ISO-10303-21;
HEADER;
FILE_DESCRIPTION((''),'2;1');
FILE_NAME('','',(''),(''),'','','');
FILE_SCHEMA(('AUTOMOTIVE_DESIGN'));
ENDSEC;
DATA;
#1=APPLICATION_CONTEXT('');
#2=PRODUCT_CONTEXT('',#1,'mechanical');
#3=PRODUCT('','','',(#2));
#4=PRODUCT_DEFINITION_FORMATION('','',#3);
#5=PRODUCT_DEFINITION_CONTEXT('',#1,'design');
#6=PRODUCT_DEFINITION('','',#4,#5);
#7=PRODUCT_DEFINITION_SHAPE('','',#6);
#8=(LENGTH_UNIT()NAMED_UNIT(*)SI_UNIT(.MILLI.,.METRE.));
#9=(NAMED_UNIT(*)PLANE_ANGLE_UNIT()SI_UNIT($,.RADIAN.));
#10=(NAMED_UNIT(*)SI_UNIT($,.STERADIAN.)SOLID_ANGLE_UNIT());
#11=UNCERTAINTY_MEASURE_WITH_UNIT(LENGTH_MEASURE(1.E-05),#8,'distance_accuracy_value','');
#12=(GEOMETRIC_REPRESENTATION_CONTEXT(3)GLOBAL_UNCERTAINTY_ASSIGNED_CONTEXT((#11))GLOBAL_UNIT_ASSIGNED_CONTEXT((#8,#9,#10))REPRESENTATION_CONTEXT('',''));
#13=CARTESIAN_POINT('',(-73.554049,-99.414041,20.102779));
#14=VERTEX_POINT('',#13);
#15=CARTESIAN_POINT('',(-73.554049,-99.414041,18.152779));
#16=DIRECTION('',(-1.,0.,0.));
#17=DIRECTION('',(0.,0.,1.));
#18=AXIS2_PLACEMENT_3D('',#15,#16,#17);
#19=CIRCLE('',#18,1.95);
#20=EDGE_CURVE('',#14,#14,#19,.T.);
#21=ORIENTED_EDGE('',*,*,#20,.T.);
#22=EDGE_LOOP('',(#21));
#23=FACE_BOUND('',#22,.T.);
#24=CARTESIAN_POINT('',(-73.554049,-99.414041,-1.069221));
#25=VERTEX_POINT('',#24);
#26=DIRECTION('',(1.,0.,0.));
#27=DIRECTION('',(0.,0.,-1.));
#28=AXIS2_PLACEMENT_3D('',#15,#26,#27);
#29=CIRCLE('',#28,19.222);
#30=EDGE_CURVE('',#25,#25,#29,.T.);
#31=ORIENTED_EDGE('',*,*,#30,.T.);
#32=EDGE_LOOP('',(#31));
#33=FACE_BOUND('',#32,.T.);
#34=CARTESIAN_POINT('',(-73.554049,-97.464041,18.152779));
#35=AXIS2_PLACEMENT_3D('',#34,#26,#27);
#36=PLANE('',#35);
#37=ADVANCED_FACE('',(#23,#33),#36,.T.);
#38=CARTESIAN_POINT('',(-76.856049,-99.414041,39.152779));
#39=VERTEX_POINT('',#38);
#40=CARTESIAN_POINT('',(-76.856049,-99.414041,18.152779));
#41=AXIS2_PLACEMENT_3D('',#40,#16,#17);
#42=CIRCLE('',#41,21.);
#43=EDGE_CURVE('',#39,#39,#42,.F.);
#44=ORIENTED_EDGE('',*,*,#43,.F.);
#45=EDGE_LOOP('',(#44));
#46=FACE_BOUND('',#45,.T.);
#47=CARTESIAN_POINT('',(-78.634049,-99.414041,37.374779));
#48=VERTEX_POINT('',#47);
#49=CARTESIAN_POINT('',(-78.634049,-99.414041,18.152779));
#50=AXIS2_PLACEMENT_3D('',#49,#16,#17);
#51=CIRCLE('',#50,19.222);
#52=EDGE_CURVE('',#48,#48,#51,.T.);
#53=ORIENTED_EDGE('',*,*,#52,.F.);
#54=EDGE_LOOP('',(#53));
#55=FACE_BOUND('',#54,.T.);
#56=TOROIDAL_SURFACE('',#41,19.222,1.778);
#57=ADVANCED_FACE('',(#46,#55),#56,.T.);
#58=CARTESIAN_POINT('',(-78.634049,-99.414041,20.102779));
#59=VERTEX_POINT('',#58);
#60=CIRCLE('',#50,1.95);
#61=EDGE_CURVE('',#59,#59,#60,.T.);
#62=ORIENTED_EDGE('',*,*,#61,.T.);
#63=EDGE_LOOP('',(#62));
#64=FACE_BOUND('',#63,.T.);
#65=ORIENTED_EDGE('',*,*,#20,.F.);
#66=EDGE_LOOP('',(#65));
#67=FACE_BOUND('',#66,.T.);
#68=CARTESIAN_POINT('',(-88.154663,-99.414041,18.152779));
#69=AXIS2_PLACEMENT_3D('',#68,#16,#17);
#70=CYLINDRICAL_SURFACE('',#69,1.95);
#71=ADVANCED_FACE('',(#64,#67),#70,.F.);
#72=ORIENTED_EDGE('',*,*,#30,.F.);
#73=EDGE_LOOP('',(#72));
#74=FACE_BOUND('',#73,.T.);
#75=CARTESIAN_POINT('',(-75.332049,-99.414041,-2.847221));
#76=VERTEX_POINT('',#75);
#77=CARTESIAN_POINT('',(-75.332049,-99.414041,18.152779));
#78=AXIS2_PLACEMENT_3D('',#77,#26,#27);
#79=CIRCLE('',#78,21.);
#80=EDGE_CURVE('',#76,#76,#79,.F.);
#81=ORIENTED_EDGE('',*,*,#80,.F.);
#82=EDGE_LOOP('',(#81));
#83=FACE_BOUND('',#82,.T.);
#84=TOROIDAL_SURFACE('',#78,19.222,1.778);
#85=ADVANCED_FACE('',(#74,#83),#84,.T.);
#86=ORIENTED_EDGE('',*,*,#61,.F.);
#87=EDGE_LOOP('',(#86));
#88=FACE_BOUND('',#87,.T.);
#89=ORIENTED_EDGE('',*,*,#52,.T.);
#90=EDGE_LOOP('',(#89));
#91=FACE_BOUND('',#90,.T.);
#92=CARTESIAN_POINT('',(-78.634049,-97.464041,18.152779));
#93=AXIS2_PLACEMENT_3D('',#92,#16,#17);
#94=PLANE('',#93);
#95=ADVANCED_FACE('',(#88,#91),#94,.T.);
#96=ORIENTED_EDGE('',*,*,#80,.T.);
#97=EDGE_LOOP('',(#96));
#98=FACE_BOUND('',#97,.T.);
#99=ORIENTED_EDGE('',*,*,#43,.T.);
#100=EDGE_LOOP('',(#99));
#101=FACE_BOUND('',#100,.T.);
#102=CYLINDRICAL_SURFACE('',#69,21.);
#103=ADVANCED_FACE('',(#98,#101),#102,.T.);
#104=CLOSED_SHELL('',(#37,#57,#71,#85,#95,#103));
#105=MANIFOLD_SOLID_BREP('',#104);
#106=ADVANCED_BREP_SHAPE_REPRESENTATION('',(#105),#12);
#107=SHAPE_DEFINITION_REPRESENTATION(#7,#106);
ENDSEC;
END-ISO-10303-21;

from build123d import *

# Parameters (mm, degrees)
SKETCH2_W = 5.08
SKETCH2_H = 19.05
FILLET1_R = 1.778


with BuildPart() as part:
    # Sketch2 → Revolve1 (revolve)
    with BuildSketch(Plane(origin=(0, 0, 18.152779015), x_dir=(-1, 0, 0), z_dir=(0, 0, -1))):
        with Locations((76.094049076, -87.93904144)):
            Rectangle(SKETCH2_W, SKETCH2_H)
    revolve(axis=Axis((-88.154662924, -99.41404144, 18.152779015), (1, 0, 0)))

    # Fillet1
    fillet1_edges = [part.edges().sort_by_distance(p)[0] for p in [
        (-73.554049076, -120.41404144, 18.152779015),
        (-78.634049076, -120.41404144, 18.152779015),
    ]]
    fillet(fillet1_edges, radius=FILLET1_R)


solid = part.part
